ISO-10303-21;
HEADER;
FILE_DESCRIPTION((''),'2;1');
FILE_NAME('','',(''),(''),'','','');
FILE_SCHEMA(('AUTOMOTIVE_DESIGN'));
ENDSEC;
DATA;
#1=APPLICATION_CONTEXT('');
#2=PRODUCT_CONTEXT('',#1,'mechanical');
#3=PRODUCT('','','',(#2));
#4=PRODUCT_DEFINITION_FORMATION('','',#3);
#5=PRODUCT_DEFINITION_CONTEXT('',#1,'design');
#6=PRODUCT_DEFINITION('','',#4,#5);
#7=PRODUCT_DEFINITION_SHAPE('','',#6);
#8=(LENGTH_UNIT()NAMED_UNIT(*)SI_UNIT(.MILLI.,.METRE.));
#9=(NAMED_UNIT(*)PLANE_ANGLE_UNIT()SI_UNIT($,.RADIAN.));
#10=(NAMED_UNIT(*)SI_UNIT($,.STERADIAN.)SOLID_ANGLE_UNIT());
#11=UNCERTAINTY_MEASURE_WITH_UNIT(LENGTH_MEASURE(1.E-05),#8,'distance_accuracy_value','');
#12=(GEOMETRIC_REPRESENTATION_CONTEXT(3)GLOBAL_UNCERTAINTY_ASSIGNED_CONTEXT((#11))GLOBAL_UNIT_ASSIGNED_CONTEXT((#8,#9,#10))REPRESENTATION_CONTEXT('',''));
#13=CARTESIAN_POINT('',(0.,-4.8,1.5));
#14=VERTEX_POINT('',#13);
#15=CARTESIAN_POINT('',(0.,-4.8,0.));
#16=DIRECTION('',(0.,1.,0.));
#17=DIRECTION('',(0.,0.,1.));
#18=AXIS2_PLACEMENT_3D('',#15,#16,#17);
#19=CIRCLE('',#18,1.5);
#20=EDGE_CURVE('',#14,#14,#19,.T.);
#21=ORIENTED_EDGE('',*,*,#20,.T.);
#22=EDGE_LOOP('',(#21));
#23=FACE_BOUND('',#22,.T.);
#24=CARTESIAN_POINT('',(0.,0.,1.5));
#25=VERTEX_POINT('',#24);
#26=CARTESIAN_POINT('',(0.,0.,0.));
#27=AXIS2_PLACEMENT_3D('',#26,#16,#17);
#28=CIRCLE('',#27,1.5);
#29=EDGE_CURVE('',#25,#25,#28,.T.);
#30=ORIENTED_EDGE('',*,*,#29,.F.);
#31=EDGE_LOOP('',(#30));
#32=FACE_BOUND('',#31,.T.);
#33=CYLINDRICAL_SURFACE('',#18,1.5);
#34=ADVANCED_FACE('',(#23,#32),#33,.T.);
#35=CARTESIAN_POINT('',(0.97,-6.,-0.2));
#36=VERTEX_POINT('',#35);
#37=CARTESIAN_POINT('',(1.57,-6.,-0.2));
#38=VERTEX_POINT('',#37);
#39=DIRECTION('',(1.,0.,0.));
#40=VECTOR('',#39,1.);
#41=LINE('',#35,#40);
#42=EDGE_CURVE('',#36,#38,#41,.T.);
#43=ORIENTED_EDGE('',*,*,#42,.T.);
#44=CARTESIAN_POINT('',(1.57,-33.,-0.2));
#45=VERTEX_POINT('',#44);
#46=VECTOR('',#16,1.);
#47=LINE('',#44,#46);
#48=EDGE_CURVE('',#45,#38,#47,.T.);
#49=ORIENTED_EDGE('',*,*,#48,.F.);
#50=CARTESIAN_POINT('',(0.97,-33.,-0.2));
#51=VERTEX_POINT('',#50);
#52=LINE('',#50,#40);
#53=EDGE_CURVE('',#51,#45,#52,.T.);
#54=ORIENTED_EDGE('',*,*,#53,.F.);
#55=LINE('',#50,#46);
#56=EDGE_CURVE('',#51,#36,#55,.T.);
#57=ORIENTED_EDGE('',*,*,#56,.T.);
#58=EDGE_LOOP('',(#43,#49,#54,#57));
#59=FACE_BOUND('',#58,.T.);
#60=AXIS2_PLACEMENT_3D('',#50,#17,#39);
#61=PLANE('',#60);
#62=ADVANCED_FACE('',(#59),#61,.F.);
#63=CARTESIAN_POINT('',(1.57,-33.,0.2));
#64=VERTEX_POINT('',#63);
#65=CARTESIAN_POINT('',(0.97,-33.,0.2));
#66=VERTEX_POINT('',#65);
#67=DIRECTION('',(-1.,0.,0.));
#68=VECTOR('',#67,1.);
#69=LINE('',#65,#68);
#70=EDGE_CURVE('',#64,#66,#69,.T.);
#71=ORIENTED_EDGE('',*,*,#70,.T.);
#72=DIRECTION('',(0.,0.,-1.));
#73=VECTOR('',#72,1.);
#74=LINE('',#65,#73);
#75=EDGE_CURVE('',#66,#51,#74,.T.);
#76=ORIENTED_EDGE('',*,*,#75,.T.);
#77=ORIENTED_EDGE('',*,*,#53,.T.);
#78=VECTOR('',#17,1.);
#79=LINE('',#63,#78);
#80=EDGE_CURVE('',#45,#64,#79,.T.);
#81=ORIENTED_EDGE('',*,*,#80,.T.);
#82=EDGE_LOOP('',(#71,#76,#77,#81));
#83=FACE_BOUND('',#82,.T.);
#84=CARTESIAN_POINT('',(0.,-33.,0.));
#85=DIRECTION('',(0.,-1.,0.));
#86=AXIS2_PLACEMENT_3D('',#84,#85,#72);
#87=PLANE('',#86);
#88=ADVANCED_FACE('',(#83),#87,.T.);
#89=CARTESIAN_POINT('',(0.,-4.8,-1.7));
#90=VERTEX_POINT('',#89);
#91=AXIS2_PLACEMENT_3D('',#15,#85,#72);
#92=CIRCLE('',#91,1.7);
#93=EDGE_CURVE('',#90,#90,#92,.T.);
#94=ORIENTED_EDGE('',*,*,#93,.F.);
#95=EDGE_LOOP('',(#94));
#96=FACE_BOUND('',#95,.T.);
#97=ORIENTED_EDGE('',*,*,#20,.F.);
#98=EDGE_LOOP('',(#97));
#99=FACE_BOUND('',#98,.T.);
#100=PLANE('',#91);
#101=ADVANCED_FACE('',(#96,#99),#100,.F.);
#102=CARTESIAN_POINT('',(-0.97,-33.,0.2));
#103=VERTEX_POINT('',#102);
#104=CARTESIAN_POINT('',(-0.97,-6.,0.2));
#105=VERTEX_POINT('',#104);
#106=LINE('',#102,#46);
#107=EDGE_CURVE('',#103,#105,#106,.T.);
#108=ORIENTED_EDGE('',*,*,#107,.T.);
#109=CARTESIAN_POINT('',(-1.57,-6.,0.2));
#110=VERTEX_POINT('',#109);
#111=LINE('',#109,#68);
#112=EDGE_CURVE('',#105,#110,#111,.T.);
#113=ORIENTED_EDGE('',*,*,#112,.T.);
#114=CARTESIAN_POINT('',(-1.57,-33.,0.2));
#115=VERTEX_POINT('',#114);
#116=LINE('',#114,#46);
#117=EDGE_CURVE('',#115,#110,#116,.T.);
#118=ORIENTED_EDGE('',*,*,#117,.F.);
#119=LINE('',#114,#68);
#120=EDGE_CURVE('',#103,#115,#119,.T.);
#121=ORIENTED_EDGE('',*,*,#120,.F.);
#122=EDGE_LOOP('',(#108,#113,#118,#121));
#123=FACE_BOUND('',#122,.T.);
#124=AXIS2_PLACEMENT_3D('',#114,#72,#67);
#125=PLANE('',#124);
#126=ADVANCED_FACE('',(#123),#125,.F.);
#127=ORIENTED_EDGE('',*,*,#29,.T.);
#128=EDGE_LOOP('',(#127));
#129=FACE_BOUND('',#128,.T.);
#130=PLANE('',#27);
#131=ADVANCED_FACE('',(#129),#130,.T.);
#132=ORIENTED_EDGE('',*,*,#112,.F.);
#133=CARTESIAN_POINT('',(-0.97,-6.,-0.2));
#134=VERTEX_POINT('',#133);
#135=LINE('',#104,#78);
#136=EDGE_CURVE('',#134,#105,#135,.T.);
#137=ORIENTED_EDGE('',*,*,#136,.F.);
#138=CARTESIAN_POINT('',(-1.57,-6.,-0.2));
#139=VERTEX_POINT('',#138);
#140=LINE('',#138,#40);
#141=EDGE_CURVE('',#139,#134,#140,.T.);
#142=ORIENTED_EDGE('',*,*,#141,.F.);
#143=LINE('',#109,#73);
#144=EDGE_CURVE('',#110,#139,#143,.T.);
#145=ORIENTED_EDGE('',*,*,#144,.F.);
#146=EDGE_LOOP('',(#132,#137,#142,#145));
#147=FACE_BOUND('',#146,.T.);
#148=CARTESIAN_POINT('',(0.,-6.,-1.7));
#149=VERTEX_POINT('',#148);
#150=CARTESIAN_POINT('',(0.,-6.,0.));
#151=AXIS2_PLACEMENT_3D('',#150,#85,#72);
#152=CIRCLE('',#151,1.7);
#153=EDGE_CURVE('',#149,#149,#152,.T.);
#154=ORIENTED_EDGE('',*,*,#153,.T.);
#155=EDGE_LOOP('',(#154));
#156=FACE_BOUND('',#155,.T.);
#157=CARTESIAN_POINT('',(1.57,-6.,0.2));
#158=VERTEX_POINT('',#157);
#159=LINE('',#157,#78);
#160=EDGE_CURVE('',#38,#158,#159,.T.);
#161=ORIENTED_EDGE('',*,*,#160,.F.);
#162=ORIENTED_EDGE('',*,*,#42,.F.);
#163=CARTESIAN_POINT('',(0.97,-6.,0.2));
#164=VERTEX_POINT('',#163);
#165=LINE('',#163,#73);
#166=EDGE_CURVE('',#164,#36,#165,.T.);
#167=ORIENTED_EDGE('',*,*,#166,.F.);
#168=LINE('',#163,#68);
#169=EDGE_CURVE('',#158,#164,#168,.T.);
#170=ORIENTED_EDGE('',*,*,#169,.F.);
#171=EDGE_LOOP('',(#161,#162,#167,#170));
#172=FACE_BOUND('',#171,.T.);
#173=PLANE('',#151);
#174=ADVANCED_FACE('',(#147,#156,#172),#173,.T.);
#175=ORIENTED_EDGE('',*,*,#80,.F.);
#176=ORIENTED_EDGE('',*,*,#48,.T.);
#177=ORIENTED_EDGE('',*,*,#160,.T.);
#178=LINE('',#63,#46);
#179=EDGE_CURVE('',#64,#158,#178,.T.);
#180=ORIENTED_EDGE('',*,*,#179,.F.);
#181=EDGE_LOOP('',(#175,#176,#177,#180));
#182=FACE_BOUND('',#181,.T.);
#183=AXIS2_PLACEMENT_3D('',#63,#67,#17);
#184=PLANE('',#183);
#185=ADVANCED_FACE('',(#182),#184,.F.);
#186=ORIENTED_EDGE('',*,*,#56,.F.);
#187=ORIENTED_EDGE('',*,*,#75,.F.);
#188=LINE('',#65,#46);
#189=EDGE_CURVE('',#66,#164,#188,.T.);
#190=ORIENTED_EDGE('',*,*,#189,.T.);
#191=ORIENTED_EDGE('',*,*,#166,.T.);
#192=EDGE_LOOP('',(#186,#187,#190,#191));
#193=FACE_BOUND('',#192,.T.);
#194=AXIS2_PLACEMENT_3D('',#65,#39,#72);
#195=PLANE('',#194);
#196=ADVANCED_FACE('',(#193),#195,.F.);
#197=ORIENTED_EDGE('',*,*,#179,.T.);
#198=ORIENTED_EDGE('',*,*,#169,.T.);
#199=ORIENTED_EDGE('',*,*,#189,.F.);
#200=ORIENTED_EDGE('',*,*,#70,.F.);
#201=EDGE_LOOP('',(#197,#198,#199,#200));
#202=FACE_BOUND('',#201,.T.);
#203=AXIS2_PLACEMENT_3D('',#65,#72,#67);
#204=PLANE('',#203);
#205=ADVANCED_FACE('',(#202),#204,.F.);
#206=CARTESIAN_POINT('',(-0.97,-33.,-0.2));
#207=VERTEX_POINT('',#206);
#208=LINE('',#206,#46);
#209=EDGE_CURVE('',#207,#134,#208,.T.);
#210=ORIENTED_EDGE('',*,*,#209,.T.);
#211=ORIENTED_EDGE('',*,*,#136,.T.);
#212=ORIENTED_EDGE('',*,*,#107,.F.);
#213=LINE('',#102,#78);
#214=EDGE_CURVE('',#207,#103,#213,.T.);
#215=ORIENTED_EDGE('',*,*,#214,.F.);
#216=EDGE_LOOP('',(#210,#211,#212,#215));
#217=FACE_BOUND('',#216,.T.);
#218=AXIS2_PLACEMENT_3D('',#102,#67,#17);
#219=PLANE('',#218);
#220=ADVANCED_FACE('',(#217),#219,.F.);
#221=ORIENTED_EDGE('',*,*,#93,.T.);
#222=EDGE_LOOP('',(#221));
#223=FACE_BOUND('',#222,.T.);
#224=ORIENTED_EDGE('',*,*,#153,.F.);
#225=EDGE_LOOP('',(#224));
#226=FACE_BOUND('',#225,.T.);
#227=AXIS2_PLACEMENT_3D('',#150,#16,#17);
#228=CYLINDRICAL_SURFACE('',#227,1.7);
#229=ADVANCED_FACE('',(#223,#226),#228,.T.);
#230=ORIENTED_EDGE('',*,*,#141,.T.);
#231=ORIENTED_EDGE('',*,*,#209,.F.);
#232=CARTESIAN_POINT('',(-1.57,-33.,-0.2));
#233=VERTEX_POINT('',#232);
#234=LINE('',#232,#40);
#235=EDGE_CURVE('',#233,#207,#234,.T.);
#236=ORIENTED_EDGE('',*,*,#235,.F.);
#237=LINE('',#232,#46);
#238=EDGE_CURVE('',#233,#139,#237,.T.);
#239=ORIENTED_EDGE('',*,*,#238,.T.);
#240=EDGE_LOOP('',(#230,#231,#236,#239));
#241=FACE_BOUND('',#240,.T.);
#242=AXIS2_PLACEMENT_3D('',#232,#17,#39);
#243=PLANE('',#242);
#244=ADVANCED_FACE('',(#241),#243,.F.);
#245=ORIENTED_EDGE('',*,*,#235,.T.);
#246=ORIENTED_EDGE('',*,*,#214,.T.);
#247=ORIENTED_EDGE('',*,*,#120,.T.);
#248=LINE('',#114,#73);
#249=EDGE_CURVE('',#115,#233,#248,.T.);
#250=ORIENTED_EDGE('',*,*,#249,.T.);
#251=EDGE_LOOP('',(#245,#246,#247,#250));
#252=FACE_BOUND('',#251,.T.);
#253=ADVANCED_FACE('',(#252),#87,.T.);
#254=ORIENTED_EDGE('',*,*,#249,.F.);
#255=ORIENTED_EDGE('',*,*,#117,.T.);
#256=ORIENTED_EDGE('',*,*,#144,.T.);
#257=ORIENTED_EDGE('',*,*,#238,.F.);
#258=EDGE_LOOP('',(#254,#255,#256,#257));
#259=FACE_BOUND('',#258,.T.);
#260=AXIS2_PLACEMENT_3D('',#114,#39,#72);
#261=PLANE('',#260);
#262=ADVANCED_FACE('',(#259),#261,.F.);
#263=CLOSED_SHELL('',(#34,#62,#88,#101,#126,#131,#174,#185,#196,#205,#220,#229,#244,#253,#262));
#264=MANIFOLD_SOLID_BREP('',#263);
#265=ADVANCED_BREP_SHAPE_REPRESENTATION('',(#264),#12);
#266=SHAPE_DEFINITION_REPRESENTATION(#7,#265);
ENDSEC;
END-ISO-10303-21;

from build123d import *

# Parameters (mm, degrees)
SKETCH1_R           = 1.5
BOSS_EXTRUDE1_DEPTH = 4.8
SKETCH2_R           = 1.7
BOSS_EXTRUDE2_DEPTH = 1.2
SKETCH3_W           = 0.6
SKETCH3_H           = 0.4
BOSS_EXTRUDE3_DEPTH = 27


with BuildPart() as part:
    # Sketch1 → Boss-Extrude1 (new body)
    with BuildSketch(Plane(origin=(0, 0, 0), x_dir=(1, 0, 0), z_dir=(0, 1, 0))):
        with Locations(Location((0, 0, 0), (0, 0, 270))):
            Circle(SKETCH1_R)
    extrude(amount=-BOSS_EXTRUDE1_DEPTH)

    # Sketch2 → Boss-Extrude2 (add)
    with BuildSketch(Plane.XZ.offset(4.8)):
        with Locations(Location((0, 0, 0), (0, 0, 270))):
            Circle(SKETCH2_R)
    extrude(amount=BOSS_EXTRUDE2_DEPTH)

    # Sketch3 → Boss-Extrude3 (add)
    with BuildSketch(Plane.XZ.offset(6)):
        with Locations((-1.27, 0)):
            Rectangle(SKETCH3_W, SKETCH3_H)
        with Locations((1.27, 0)):
            Rectangle(SKETCH3_W, SKETCH3_H)
    extrude(amount=BOSS_EXTRUDE3_DEPTH)


solid = part.part
